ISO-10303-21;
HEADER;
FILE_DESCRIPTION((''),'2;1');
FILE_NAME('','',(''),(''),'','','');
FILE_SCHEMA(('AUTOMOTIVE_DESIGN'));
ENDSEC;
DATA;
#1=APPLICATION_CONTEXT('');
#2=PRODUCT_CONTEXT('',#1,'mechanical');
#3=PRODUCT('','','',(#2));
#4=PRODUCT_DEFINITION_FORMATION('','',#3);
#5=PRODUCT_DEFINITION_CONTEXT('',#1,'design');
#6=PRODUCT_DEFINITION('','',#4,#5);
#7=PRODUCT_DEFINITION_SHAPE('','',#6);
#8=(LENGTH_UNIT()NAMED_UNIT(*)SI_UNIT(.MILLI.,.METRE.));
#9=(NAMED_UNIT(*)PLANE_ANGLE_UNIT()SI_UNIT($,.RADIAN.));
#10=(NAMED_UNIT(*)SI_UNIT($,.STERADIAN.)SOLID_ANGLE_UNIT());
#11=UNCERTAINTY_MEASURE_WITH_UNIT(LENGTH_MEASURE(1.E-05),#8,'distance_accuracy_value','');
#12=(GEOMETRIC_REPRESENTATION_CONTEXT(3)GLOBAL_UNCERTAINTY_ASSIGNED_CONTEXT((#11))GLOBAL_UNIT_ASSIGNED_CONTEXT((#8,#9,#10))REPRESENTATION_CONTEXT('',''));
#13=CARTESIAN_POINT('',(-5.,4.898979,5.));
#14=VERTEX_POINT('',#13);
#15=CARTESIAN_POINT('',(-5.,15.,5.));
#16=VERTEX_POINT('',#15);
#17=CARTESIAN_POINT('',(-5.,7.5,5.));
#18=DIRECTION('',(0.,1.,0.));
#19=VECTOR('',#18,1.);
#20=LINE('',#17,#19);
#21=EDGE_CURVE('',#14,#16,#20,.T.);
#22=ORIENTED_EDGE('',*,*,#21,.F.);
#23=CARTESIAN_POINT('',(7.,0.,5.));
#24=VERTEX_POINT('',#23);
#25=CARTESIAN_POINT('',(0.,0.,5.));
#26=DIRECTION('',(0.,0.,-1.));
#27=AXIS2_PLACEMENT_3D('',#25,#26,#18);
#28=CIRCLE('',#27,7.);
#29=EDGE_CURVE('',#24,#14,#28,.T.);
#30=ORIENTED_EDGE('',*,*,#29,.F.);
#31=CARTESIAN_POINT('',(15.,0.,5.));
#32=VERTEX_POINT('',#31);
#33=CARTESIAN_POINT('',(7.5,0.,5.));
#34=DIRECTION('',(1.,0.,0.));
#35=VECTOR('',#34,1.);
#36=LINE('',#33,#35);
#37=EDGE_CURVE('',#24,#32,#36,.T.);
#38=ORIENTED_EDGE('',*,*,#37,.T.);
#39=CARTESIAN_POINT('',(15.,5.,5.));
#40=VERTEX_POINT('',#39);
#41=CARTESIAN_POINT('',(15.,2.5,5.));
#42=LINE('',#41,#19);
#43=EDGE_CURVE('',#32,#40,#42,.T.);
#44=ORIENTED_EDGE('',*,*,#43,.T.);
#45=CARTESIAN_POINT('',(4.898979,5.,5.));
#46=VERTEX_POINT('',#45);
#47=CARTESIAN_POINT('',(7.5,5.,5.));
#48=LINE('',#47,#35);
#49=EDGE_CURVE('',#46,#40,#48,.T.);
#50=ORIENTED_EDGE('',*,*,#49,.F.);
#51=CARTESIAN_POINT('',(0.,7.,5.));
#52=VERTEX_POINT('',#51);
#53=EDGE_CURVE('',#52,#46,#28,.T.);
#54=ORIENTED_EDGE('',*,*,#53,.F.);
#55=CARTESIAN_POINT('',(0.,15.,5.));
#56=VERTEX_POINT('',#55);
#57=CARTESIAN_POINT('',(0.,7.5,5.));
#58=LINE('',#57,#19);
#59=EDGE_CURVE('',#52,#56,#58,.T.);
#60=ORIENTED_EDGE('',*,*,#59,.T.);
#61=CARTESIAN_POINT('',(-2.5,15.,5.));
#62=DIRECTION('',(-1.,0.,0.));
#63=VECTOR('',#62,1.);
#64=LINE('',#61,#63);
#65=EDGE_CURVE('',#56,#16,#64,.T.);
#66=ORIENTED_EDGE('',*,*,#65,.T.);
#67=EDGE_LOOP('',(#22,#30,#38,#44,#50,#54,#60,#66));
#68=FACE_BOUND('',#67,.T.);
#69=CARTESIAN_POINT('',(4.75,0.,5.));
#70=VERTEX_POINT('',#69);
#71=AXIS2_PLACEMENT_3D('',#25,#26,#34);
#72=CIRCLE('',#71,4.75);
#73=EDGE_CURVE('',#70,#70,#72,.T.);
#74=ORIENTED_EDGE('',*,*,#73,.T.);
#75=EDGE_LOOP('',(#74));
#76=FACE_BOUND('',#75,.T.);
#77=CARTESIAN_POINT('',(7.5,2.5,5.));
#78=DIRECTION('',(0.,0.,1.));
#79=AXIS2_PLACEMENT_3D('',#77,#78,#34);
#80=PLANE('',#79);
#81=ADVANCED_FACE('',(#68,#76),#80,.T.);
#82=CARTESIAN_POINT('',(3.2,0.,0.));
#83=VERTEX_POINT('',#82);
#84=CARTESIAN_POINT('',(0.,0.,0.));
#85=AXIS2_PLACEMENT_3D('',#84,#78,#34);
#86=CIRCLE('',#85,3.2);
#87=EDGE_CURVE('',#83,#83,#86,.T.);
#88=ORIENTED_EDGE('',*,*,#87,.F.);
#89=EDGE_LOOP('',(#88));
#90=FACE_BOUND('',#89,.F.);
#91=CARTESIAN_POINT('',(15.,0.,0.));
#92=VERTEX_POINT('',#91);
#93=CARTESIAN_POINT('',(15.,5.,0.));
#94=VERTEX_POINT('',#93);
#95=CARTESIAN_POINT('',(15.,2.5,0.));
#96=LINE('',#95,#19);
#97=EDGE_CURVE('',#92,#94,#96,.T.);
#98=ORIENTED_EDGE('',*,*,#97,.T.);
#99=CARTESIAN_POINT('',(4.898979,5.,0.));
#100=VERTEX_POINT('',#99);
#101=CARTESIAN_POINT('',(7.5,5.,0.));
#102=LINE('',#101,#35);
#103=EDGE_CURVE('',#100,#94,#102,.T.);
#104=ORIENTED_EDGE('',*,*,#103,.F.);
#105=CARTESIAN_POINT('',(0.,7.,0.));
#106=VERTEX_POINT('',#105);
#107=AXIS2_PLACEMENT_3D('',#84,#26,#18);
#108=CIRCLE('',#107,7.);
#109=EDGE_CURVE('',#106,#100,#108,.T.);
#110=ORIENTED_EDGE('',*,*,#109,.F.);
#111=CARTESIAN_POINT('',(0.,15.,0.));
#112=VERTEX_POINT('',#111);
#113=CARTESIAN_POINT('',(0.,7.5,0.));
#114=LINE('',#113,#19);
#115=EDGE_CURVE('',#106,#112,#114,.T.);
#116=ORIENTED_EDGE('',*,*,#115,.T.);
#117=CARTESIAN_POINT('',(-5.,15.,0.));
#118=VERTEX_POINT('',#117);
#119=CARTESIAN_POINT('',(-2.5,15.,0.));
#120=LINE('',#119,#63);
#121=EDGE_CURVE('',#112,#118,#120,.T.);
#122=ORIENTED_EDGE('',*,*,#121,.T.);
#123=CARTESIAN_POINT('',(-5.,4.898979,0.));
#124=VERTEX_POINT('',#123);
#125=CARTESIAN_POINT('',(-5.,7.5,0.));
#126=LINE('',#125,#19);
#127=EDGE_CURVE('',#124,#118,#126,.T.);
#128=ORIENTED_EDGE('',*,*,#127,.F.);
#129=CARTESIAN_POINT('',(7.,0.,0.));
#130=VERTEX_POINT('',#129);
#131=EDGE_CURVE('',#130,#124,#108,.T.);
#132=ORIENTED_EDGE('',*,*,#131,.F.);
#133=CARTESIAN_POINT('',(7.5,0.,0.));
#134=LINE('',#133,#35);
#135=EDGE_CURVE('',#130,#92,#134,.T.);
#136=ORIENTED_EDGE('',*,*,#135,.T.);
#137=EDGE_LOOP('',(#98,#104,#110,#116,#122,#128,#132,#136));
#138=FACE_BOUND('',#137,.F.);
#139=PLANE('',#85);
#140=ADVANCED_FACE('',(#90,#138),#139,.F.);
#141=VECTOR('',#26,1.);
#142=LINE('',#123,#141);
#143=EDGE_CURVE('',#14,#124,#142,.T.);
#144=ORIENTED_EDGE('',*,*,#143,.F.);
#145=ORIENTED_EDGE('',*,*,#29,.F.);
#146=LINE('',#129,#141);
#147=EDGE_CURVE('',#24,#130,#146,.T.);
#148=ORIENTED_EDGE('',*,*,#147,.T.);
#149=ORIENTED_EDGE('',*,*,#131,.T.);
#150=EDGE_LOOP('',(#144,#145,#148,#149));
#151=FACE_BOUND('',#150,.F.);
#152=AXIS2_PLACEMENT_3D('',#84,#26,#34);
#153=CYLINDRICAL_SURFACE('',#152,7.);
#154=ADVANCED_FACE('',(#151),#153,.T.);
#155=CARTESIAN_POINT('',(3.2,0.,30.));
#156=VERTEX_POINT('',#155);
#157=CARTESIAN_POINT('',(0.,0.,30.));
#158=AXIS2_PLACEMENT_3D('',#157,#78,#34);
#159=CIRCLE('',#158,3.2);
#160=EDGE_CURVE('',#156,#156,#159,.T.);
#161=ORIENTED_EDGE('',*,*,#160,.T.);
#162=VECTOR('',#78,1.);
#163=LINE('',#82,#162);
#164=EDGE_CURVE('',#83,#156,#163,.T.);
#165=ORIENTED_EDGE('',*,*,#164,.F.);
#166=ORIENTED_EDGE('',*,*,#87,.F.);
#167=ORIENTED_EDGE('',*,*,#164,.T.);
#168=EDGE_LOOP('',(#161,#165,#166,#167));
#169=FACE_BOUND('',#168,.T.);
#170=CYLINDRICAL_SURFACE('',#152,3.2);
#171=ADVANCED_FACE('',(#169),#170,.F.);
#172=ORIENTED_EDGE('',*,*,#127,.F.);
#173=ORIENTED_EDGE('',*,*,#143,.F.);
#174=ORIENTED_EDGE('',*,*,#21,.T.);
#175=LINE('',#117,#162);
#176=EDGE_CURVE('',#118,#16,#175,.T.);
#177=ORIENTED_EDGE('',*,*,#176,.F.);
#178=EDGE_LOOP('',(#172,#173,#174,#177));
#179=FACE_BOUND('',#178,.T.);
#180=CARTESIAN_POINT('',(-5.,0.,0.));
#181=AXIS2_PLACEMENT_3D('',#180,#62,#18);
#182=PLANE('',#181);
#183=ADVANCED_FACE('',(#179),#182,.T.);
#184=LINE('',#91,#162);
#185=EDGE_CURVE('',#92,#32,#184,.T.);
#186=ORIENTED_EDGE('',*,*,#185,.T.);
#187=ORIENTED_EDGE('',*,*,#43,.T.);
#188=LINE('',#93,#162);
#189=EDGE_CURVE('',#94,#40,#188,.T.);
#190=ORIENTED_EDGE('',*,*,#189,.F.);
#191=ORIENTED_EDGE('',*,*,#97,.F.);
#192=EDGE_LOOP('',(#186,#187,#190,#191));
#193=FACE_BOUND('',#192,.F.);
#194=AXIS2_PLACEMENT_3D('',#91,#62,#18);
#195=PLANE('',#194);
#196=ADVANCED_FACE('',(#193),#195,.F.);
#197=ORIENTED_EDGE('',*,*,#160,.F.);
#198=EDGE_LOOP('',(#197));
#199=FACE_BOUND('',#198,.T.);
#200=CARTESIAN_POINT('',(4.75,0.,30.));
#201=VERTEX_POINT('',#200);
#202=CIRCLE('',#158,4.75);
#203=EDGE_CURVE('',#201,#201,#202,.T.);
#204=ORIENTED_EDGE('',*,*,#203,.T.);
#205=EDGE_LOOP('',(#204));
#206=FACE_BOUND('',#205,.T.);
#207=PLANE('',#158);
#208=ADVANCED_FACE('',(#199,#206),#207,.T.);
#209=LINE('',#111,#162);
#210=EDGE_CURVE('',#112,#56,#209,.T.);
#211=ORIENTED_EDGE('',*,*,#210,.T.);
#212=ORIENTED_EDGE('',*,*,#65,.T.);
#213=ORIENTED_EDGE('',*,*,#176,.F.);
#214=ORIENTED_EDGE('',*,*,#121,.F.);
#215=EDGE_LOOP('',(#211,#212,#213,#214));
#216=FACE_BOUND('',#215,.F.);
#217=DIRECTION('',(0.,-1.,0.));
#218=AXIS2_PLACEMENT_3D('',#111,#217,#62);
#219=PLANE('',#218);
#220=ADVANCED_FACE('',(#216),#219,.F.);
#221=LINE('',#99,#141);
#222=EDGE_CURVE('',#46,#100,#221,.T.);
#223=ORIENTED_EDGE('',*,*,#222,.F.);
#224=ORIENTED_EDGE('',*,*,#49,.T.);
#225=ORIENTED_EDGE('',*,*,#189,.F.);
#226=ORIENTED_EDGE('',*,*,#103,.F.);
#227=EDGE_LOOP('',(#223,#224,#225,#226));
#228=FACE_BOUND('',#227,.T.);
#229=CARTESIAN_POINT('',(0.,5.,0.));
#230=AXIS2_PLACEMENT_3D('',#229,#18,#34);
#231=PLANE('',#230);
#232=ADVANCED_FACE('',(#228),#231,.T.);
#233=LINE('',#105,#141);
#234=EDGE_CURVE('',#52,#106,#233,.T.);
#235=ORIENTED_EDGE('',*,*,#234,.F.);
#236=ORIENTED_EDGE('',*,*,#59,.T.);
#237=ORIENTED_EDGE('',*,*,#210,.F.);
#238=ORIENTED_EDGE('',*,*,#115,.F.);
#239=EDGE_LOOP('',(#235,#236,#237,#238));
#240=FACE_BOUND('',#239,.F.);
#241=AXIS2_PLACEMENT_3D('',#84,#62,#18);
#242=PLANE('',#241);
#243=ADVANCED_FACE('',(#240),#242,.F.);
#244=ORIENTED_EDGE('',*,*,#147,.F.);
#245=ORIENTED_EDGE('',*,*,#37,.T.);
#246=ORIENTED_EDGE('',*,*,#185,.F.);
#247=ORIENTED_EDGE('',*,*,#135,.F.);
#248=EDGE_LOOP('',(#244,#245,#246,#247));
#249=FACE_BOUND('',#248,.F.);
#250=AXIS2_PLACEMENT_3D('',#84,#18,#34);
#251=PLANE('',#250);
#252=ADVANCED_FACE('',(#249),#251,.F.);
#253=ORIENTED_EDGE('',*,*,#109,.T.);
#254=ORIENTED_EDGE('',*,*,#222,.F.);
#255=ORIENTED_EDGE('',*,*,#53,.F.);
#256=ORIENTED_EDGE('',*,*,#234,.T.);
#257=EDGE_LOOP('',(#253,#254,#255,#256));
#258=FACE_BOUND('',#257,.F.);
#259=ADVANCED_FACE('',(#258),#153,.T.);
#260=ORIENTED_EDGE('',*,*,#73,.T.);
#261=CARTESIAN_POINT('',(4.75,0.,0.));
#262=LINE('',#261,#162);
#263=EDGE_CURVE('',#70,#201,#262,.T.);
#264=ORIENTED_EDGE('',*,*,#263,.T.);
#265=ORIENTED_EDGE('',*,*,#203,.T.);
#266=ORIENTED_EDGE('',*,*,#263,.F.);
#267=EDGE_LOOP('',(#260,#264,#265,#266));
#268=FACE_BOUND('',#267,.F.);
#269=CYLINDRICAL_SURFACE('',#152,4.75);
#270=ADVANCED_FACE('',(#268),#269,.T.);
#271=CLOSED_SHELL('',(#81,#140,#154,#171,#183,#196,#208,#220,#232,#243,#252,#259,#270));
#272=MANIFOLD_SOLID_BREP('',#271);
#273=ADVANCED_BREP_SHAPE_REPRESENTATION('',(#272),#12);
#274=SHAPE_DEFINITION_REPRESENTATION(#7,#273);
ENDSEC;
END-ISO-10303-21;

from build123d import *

# Parameters (mm, degrees)
CYLINDER_R             = 3.2
CYLINDER_DEPTH         = 30
BOX001_W               = 15
BOX001_H               = 5
BOX001_DEPTH           = 5
BOX001_PLACEMENT_ANGLE = 90
BOX_W                  = 15
BOX_H                  = 5
BOX_DEPTH              = 5
CYLINDER001_R          = 4.75
CYLINDER001_DEPTH      = 30
CYLINDER002_R          = 7
CYLINDER002_DEPTH      = 5


with BuildPart() as cylinder:
    # Cylinder → Cylinder (new body)
    with BuildSketch(Plane.XY):
        Circle(CYLINDER_R)
    extrude(amount=CYLINDER_DEPTH)


with BuildPart() as box001:
    # Box001 → Box001 (new body)
    with BuildSketch(Plane.XY):
        with Locations((7.5, 2.5)):
            Rectangle(BOX001_W, BOX001_H)
    extrude(amount=BOX001_DEPTH)


with BuildPart() as box001_1:
    # Box001 placement: moved
    add(box001.part.rotate(Axis((0, 0, 0), (0, 0, 1)), BOX001_PLACEMENT_ANGLE))


with BuildPart() as box:
    # Box → Box (new body)
    with BuildSketch(Plane.XY):
        with Locations((7.5, 2.5)):
            Rectangle(BOX_W, BOX_H)
    extrude(amount=BOX_DEPTH)


with BuildPart() as cylinder001:
    # Cylinder001 → Cylinder001 (new body)
    with BuildSketch(Plane.XY):
        Circle(CYLINDER001_R)
    extrude(amount=CYLINDER001_DEPTH)


with BuildPart() as cut:
    # Cylinder002 → Cylinder002 (new body)
    with BuildSketch(Plane.XY):
        Circle(CYLINDER002_R)
    extrude(amount=CYLINDER002_DEPTH)

    # Fusion: union Cylinder001
    add(cylinder001.part)

    # Fusion001: union Box001, Box
    add(box001_1.part)
    add(box.part)

    # Cut: cut Cylinder
    add(cylinder.part, mode=Mode.SUBTRACT)


solid = cut.part
